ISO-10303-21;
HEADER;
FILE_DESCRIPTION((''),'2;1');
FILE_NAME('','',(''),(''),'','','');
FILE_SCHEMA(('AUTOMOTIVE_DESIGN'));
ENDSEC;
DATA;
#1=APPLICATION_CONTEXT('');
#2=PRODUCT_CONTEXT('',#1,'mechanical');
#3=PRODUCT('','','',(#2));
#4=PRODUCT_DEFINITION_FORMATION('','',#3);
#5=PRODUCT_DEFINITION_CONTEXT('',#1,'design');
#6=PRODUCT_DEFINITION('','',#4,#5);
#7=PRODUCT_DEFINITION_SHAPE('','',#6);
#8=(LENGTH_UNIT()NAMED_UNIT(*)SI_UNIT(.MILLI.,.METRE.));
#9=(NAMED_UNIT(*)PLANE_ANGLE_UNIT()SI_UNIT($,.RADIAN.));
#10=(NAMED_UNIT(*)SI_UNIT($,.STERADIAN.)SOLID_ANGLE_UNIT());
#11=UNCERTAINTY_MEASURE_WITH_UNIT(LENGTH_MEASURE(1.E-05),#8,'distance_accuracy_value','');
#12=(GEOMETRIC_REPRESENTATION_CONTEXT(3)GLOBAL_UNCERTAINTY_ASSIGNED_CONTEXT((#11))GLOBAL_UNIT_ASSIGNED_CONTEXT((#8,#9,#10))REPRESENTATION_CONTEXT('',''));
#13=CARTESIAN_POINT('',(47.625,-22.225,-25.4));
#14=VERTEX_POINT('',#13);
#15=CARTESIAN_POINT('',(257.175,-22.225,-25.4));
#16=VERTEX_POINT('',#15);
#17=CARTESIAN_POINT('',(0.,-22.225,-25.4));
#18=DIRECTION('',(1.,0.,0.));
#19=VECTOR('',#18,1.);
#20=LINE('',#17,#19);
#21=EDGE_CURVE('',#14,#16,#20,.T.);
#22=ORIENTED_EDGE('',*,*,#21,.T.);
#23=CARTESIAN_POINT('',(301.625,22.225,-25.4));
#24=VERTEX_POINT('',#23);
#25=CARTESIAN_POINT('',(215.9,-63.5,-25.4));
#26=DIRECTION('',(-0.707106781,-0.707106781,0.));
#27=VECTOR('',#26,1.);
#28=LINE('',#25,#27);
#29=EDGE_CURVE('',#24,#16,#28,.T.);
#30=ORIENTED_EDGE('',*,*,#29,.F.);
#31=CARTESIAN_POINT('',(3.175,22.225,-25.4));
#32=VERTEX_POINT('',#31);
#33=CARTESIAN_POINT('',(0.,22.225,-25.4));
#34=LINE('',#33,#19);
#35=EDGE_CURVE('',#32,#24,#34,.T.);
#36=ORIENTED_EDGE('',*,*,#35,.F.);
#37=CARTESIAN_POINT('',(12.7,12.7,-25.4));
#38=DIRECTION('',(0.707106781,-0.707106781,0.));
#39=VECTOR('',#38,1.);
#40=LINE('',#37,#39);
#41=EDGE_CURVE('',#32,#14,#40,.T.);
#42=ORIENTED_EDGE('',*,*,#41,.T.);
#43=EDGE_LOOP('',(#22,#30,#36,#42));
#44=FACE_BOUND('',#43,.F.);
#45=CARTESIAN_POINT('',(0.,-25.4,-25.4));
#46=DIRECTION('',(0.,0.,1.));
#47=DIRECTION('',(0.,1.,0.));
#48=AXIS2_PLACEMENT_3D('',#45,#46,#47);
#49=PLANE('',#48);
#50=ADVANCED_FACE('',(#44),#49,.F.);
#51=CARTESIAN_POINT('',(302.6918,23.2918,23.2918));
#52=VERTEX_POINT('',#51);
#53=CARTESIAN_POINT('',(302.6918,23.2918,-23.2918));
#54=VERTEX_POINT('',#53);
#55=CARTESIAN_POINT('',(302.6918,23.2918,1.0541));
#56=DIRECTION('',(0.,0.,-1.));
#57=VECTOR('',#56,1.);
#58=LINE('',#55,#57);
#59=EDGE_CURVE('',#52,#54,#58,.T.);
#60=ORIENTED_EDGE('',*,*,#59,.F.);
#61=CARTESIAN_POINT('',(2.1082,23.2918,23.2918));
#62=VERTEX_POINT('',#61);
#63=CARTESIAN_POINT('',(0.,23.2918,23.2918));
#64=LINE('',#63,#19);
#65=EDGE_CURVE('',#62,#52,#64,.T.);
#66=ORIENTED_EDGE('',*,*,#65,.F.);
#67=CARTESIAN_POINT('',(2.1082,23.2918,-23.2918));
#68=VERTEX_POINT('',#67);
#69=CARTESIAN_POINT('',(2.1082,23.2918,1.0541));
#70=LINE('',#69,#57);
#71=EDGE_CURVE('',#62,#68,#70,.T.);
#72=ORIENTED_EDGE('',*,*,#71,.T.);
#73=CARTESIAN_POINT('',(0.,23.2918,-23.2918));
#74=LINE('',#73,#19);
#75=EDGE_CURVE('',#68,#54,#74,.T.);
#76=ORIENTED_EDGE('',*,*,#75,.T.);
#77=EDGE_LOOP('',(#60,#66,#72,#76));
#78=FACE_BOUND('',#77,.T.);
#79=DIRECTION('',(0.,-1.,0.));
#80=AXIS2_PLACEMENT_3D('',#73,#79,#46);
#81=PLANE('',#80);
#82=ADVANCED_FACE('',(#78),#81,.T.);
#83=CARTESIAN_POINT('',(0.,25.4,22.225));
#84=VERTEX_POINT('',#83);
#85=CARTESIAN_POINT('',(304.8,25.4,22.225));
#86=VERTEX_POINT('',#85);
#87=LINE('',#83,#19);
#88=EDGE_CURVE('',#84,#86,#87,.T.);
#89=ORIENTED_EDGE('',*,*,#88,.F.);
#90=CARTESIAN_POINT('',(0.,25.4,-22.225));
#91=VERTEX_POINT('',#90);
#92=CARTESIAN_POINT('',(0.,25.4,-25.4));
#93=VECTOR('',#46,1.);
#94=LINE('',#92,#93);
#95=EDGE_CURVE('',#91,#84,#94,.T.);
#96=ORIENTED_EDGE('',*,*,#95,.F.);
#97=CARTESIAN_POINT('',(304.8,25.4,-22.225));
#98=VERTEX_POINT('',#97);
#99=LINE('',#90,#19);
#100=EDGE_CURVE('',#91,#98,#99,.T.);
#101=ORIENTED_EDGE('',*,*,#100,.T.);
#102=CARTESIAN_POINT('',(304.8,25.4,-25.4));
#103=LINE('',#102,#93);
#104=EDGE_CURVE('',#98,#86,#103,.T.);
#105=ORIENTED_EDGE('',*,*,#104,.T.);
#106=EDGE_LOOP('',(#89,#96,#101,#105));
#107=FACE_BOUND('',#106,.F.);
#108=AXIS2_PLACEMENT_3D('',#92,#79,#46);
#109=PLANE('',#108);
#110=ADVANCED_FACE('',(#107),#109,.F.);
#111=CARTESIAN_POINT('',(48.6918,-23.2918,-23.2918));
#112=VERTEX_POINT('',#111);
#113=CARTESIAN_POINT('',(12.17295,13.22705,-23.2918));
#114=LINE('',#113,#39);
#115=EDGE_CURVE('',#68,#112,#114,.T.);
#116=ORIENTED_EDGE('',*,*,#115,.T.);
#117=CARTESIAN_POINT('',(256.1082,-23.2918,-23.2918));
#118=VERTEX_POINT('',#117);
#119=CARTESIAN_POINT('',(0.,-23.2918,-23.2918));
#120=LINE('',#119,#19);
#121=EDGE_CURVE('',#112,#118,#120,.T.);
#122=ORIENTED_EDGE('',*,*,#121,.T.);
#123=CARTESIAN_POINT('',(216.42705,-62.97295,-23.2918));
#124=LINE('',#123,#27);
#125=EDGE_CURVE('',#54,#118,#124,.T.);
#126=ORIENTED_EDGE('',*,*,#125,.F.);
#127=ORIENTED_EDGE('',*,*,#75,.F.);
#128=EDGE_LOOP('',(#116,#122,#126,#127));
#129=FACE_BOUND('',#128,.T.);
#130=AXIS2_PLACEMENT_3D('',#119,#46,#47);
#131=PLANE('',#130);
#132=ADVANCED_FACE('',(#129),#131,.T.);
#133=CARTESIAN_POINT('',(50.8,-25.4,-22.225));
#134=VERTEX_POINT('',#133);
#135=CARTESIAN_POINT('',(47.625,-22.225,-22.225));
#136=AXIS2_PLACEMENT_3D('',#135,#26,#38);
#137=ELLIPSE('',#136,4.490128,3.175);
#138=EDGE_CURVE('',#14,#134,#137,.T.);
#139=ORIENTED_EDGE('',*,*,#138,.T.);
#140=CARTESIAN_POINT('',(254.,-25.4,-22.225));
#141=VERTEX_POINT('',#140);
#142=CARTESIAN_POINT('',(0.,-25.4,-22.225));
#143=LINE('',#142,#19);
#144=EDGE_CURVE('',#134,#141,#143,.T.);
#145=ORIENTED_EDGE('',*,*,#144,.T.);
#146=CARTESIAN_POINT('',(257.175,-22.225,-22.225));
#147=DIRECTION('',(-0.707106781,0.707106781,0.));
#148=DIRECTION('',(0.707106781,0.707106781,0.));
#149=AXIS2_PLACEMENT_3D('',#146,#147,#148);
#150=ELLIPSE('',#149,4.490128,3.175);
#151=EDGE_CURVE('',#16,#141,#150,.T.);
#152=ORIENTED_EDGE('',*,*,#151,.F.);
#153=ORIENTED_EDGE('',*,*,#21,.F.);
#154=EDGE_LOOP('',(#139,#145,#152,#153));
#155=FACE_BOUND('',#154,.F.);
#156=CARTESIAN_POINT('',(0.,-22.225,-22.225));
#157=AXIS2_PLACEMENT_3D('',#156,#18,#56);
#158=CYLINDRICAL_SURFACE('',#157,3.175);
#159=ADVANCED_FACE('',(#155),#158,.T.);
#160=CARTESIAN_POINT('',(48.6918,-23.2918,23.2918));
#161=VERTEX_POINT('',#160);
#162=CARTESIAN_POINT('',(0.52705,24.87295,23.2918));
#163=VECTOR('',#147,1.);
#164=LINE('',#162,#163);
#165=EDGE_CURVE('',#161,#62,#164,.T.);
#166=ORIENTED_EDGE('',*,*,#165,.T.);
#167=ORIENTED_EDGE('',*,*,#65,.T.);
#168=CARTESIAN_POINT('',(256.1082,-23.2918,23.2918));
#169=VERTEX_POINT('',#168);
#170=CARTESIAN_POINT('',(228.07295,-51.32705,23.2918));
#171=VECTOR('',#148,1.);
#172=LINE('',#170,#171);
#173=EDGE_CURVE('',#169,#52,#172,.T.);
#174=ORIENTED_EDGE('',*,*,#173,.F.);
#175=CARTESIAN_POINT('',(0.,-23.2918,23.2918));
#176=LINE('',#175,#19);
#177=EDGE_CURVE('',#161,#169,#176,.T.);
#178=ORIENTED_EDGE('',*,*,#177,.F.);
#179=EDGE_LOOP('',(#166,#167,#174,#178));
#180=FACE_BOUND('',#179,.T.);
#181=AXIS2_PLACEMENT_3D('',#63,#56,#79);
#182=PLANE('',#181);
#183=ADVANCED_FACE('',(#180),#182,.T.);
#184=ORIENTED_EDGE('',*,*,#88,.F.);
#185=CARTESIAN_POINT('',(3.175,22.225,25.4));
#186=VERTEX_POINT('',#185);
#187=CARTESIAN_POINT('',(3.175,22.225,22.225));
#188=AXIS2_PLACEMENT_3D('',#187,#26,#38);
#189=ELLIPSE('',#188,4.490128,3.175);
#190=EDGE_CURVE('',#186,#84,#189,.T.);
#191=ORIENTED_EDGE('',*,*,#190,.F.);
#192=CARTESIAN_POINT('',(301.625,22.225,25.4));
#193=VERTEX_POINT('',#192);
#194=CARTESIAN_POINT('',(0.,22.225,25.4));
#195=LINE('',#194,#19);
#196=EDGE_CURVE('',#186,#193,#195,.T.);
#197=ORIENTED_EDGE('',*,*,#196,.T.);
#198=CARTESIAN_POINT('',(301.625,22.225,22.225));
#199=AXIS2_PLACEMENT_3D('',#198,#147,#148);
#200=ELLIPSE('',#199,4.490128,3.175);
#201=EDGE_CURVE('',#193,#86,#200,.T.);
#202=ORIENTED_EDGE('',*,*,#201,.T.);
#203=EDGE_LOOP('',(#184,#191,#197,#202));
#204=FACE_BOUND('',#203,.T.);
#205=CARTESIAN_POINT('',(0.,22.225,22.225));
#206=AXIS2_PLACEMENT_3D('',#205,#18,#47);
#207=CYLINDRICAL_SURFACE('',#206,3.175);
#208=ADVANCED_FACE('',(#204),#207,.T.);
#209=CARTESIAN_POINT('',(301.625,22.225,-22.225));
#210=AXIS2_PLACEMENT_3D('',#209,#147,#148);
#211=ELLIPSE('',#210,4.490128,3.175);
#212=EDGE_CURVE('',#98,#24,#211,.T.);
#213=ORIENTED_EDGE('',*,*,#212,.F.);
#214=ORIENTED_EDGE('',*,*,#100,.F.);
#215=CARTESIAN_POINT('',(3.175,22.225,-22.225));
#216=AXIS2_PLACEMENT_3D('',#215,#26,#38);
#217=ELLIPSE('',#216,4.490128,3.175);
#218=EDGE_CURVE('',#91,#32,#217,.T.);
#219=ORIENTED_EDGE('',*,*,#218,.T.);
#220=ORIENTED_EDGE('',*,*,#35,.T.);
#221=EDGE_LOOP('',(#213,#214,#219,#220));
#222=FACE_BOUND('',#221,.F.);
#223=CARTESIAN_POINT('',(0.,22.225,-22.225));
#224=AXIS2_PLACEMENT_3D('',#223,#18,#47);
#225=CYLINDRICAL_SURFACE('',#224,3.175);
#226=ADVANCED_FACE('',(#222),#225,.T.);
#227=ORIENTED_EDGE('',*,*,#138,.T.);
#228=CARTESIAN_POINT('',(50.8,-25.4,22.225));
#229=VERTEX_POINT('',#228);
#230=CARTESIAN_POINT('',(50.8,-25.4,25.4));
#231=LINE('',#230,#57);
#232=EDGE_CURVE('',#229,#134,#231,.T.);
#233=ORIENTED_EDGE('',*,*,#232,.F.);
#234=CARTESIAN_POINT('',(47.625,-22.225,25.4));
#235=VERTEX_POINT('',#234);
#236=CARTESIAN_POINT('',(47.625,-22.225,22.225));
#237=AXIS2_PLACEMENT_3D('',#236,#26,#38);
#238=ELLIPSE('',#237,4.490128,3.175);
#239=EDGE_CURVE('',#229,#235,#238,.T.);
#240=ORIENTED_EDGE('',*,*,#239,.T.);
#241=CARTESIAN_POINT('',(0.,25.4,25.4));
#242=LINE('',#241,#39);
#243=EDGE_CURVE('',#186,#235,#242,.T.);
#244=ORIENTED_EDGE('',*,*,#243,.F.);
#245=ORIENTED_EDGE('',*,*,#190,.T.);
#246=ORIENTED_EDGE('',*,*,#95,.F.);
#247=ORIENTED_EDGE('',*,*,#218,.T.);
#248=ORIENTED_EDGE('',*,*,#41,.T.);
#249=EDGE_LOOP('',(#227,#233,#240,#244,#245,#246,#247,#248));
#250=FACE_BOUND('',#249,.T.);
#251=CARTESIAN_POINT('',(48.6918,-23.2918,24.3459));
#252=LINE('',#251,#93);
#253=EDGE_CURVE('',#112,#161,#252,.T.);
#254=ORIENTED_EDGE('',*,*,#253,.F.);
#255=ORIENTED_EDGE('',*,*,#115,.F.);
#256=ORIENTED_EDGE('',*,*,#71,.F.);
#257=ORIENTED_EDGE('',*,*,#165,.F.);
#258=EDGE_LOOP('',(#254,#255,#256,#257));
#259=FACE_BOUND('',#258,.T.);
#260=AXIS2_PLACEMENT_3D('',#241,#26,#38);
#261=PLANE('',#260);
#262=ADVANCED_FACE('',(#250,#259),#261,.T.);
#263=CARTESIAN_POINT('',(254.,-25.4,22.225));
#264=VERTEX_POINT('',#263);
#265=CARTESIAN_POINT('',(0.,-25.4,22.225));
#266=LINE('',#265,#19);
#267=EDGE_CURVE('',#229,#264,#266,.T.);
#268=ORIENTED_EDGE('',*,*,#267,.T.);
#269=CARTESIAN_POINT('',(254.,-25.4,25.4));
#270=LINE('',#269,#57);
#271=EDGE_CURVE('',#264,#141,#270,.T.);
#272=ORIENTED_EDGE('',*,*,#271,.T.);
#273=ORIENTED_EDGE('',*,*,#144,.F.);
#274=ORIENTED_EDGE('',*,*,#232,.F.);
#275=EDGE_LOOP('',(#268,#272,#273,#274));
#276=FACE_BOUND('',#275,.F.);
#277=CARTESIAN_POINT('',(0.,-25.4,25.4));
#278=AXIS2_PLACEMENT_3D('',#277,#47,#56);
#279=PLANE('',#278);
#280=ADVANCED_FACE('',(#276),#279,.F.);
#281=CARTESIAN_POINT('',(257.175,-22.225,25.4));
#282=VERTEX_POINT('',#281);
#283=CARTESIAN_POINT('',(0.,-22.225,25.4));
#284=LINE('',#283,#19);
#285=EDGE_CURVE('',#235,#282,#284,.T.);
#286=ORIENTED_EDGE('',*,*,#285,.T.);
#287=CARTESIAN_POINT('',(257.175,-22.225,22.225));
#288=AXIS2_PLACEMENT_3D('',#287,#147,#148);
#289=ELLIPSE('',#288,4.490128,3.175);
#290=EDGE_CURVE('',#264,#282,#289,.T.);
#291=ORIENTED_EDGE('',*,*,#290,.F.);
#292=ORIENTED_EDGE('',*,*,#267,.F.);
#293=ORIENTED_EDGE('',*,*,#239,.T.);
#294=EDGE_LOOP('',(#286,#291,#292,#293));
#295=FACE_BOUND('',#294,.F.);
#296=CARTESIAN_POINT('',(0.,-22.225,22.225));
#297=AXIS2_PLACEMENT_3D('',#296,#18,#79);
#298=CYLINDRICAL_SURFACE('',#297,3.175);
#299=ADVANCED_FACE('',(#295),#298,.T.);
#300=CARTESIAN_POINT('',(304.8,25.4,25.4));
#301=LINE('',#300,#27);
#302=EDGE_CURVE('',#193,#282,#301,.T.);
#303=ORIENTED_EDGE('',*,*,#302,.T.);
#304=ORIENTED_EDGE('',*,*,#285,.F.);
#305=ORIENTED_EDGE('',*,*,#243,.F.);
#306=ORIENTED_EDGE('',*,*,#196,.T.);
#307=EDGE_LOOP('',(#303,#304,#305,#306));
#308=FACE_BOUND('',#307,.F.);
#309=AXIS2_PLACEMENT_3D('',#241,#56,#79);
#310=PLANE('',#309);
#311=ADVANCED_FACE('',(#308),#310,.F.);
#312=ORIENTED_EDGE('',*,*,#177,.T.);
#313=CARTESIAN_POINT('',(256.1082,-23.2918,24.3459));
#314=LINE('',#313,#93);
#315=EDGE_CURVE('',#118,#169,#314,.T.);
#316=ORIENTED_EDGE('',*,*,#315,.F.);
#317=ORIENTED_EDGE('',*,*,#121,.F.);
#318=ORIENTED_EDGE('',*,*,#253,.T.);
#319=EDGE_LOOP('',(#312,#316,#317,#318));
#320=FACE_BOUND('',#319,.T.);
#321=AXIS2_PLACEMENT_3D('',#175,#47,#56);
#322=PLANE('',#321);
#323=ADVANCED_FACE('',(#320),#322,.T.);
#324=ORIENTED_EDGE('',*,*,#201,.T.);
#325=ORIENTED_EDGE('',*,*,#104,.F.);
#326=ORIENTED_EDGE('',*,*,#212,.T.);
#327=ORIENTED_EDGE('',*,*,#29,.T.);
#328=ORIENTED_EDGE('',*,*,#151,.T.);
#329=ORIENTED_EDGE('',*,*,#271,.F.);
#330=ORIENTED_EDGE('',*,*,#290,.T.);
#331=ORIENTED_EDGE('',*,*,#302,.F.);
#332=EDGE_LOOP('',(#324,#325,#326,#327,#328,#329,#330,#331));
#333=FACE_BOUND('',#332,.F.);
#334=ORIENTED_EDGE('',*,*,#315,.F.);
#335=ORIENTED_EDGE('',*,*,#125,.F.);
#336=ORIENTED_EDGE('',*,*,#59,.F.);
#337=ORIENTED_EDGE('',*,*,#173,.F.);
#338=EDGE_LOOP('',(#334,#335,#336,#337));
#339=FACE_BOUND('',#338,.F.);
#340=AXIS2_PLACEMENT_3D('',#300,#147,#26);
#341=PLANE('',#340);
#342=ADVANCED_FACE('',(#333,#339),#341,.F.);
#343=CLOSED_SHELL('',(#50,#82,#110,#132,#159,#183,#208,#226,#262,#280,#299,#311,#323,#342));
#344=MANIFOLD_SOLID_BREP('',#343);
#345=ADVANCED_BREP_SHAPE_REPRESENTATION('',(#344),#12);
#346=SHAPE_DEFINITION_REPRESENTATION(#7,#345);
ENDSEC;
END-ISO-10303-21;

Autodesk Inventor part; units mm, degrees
ref_plane "YZ Plane" through (0, 0, 0) normal (1, 0, 0) x (0, 1, 0)
ref_plane "XZ Plane" through (0, 0, 0) normal (0, 1, 0) x (-1, 0, 0)
ref_plane "XY Plane" through (0, 0, 0) normal (0, 0, 1) x (1, 0, 0)
sketch "Sketch1" plane through (0, 0, 0) normal (1, 0, 0) x (0, 1, 0)
  line L0 (25.4, 25.4) -> (-25.4, 25.4)
  line L1 (-25.4, 25.4) -> (-25.4, -25.4)
  line L2 (-25.4, -25.4) -> (25.4, -25.4)
  line L3 (25.4, -25.4) -> (25.4, 25.4)
  line L4 (23.2918, 23.2918) -> (-23.2918, 23.2918)
  line L5 (-23.2918, 23.2918) -> (-23.2918, -23.2918)
  line L6 (-23.2918, -23.2918) -> (23.2918, -23.2918)
  line L7 (23.2918, -23.2918) -> (23.2918, 23.2918)
  point P0 (0, 0)
  point P1 (0, -25.4)
  point P2 (25.4, 0)
  dimension "d0" = 50.8
  dimension "d1" = 50.8
  dimension "d2" = 2.1082
extrude "Extrusion1" add sketch "Sketch1" along normal blind 304.8
fillet "Fillet1" radius 3.175 4 edges at (152.4, 25.4, 25.4) (152.4, -25.4, 25.4) (152.4, 25.4, -25.4) (152.4, -25.4, -25.4)
sketch "Sketch2" plane through (0, -22.225, 25.4) normal (0, 0, 1) x (1, 0, 0)
  line L0 (0, 44.45) -> (0, 0) projected
  line L1 (304.8, 44.45) -> (304.8, 0) projected
  line L2 (0, -3.175) -> (0, 47.625)
  line L3 (0, 45.5168) -> (0, -1.0668) projected
  line L4 (0, 47.625) -> (50.8, -3.175)
  line L5 (0, -3.175) -> (50.8, -3.175)
  line L6 (304.8, -3.175) -> (304.8, 47.625)
  line L7 (304.8, 47.625) -> (254, -3.175)
  line L8 (254, -3.175) -> (304.8, -3.175)
  line L9 (0, -3.175) -> (304.8, -3.175) projected
  point P0 (0, 22.225)
  dimension "d6" = 45
  dimension "d7" = 45
extrude "Extrusion2" cut sketch "Sketch2" against normal through all
properties part number "45degree_brace" material "Steel"
